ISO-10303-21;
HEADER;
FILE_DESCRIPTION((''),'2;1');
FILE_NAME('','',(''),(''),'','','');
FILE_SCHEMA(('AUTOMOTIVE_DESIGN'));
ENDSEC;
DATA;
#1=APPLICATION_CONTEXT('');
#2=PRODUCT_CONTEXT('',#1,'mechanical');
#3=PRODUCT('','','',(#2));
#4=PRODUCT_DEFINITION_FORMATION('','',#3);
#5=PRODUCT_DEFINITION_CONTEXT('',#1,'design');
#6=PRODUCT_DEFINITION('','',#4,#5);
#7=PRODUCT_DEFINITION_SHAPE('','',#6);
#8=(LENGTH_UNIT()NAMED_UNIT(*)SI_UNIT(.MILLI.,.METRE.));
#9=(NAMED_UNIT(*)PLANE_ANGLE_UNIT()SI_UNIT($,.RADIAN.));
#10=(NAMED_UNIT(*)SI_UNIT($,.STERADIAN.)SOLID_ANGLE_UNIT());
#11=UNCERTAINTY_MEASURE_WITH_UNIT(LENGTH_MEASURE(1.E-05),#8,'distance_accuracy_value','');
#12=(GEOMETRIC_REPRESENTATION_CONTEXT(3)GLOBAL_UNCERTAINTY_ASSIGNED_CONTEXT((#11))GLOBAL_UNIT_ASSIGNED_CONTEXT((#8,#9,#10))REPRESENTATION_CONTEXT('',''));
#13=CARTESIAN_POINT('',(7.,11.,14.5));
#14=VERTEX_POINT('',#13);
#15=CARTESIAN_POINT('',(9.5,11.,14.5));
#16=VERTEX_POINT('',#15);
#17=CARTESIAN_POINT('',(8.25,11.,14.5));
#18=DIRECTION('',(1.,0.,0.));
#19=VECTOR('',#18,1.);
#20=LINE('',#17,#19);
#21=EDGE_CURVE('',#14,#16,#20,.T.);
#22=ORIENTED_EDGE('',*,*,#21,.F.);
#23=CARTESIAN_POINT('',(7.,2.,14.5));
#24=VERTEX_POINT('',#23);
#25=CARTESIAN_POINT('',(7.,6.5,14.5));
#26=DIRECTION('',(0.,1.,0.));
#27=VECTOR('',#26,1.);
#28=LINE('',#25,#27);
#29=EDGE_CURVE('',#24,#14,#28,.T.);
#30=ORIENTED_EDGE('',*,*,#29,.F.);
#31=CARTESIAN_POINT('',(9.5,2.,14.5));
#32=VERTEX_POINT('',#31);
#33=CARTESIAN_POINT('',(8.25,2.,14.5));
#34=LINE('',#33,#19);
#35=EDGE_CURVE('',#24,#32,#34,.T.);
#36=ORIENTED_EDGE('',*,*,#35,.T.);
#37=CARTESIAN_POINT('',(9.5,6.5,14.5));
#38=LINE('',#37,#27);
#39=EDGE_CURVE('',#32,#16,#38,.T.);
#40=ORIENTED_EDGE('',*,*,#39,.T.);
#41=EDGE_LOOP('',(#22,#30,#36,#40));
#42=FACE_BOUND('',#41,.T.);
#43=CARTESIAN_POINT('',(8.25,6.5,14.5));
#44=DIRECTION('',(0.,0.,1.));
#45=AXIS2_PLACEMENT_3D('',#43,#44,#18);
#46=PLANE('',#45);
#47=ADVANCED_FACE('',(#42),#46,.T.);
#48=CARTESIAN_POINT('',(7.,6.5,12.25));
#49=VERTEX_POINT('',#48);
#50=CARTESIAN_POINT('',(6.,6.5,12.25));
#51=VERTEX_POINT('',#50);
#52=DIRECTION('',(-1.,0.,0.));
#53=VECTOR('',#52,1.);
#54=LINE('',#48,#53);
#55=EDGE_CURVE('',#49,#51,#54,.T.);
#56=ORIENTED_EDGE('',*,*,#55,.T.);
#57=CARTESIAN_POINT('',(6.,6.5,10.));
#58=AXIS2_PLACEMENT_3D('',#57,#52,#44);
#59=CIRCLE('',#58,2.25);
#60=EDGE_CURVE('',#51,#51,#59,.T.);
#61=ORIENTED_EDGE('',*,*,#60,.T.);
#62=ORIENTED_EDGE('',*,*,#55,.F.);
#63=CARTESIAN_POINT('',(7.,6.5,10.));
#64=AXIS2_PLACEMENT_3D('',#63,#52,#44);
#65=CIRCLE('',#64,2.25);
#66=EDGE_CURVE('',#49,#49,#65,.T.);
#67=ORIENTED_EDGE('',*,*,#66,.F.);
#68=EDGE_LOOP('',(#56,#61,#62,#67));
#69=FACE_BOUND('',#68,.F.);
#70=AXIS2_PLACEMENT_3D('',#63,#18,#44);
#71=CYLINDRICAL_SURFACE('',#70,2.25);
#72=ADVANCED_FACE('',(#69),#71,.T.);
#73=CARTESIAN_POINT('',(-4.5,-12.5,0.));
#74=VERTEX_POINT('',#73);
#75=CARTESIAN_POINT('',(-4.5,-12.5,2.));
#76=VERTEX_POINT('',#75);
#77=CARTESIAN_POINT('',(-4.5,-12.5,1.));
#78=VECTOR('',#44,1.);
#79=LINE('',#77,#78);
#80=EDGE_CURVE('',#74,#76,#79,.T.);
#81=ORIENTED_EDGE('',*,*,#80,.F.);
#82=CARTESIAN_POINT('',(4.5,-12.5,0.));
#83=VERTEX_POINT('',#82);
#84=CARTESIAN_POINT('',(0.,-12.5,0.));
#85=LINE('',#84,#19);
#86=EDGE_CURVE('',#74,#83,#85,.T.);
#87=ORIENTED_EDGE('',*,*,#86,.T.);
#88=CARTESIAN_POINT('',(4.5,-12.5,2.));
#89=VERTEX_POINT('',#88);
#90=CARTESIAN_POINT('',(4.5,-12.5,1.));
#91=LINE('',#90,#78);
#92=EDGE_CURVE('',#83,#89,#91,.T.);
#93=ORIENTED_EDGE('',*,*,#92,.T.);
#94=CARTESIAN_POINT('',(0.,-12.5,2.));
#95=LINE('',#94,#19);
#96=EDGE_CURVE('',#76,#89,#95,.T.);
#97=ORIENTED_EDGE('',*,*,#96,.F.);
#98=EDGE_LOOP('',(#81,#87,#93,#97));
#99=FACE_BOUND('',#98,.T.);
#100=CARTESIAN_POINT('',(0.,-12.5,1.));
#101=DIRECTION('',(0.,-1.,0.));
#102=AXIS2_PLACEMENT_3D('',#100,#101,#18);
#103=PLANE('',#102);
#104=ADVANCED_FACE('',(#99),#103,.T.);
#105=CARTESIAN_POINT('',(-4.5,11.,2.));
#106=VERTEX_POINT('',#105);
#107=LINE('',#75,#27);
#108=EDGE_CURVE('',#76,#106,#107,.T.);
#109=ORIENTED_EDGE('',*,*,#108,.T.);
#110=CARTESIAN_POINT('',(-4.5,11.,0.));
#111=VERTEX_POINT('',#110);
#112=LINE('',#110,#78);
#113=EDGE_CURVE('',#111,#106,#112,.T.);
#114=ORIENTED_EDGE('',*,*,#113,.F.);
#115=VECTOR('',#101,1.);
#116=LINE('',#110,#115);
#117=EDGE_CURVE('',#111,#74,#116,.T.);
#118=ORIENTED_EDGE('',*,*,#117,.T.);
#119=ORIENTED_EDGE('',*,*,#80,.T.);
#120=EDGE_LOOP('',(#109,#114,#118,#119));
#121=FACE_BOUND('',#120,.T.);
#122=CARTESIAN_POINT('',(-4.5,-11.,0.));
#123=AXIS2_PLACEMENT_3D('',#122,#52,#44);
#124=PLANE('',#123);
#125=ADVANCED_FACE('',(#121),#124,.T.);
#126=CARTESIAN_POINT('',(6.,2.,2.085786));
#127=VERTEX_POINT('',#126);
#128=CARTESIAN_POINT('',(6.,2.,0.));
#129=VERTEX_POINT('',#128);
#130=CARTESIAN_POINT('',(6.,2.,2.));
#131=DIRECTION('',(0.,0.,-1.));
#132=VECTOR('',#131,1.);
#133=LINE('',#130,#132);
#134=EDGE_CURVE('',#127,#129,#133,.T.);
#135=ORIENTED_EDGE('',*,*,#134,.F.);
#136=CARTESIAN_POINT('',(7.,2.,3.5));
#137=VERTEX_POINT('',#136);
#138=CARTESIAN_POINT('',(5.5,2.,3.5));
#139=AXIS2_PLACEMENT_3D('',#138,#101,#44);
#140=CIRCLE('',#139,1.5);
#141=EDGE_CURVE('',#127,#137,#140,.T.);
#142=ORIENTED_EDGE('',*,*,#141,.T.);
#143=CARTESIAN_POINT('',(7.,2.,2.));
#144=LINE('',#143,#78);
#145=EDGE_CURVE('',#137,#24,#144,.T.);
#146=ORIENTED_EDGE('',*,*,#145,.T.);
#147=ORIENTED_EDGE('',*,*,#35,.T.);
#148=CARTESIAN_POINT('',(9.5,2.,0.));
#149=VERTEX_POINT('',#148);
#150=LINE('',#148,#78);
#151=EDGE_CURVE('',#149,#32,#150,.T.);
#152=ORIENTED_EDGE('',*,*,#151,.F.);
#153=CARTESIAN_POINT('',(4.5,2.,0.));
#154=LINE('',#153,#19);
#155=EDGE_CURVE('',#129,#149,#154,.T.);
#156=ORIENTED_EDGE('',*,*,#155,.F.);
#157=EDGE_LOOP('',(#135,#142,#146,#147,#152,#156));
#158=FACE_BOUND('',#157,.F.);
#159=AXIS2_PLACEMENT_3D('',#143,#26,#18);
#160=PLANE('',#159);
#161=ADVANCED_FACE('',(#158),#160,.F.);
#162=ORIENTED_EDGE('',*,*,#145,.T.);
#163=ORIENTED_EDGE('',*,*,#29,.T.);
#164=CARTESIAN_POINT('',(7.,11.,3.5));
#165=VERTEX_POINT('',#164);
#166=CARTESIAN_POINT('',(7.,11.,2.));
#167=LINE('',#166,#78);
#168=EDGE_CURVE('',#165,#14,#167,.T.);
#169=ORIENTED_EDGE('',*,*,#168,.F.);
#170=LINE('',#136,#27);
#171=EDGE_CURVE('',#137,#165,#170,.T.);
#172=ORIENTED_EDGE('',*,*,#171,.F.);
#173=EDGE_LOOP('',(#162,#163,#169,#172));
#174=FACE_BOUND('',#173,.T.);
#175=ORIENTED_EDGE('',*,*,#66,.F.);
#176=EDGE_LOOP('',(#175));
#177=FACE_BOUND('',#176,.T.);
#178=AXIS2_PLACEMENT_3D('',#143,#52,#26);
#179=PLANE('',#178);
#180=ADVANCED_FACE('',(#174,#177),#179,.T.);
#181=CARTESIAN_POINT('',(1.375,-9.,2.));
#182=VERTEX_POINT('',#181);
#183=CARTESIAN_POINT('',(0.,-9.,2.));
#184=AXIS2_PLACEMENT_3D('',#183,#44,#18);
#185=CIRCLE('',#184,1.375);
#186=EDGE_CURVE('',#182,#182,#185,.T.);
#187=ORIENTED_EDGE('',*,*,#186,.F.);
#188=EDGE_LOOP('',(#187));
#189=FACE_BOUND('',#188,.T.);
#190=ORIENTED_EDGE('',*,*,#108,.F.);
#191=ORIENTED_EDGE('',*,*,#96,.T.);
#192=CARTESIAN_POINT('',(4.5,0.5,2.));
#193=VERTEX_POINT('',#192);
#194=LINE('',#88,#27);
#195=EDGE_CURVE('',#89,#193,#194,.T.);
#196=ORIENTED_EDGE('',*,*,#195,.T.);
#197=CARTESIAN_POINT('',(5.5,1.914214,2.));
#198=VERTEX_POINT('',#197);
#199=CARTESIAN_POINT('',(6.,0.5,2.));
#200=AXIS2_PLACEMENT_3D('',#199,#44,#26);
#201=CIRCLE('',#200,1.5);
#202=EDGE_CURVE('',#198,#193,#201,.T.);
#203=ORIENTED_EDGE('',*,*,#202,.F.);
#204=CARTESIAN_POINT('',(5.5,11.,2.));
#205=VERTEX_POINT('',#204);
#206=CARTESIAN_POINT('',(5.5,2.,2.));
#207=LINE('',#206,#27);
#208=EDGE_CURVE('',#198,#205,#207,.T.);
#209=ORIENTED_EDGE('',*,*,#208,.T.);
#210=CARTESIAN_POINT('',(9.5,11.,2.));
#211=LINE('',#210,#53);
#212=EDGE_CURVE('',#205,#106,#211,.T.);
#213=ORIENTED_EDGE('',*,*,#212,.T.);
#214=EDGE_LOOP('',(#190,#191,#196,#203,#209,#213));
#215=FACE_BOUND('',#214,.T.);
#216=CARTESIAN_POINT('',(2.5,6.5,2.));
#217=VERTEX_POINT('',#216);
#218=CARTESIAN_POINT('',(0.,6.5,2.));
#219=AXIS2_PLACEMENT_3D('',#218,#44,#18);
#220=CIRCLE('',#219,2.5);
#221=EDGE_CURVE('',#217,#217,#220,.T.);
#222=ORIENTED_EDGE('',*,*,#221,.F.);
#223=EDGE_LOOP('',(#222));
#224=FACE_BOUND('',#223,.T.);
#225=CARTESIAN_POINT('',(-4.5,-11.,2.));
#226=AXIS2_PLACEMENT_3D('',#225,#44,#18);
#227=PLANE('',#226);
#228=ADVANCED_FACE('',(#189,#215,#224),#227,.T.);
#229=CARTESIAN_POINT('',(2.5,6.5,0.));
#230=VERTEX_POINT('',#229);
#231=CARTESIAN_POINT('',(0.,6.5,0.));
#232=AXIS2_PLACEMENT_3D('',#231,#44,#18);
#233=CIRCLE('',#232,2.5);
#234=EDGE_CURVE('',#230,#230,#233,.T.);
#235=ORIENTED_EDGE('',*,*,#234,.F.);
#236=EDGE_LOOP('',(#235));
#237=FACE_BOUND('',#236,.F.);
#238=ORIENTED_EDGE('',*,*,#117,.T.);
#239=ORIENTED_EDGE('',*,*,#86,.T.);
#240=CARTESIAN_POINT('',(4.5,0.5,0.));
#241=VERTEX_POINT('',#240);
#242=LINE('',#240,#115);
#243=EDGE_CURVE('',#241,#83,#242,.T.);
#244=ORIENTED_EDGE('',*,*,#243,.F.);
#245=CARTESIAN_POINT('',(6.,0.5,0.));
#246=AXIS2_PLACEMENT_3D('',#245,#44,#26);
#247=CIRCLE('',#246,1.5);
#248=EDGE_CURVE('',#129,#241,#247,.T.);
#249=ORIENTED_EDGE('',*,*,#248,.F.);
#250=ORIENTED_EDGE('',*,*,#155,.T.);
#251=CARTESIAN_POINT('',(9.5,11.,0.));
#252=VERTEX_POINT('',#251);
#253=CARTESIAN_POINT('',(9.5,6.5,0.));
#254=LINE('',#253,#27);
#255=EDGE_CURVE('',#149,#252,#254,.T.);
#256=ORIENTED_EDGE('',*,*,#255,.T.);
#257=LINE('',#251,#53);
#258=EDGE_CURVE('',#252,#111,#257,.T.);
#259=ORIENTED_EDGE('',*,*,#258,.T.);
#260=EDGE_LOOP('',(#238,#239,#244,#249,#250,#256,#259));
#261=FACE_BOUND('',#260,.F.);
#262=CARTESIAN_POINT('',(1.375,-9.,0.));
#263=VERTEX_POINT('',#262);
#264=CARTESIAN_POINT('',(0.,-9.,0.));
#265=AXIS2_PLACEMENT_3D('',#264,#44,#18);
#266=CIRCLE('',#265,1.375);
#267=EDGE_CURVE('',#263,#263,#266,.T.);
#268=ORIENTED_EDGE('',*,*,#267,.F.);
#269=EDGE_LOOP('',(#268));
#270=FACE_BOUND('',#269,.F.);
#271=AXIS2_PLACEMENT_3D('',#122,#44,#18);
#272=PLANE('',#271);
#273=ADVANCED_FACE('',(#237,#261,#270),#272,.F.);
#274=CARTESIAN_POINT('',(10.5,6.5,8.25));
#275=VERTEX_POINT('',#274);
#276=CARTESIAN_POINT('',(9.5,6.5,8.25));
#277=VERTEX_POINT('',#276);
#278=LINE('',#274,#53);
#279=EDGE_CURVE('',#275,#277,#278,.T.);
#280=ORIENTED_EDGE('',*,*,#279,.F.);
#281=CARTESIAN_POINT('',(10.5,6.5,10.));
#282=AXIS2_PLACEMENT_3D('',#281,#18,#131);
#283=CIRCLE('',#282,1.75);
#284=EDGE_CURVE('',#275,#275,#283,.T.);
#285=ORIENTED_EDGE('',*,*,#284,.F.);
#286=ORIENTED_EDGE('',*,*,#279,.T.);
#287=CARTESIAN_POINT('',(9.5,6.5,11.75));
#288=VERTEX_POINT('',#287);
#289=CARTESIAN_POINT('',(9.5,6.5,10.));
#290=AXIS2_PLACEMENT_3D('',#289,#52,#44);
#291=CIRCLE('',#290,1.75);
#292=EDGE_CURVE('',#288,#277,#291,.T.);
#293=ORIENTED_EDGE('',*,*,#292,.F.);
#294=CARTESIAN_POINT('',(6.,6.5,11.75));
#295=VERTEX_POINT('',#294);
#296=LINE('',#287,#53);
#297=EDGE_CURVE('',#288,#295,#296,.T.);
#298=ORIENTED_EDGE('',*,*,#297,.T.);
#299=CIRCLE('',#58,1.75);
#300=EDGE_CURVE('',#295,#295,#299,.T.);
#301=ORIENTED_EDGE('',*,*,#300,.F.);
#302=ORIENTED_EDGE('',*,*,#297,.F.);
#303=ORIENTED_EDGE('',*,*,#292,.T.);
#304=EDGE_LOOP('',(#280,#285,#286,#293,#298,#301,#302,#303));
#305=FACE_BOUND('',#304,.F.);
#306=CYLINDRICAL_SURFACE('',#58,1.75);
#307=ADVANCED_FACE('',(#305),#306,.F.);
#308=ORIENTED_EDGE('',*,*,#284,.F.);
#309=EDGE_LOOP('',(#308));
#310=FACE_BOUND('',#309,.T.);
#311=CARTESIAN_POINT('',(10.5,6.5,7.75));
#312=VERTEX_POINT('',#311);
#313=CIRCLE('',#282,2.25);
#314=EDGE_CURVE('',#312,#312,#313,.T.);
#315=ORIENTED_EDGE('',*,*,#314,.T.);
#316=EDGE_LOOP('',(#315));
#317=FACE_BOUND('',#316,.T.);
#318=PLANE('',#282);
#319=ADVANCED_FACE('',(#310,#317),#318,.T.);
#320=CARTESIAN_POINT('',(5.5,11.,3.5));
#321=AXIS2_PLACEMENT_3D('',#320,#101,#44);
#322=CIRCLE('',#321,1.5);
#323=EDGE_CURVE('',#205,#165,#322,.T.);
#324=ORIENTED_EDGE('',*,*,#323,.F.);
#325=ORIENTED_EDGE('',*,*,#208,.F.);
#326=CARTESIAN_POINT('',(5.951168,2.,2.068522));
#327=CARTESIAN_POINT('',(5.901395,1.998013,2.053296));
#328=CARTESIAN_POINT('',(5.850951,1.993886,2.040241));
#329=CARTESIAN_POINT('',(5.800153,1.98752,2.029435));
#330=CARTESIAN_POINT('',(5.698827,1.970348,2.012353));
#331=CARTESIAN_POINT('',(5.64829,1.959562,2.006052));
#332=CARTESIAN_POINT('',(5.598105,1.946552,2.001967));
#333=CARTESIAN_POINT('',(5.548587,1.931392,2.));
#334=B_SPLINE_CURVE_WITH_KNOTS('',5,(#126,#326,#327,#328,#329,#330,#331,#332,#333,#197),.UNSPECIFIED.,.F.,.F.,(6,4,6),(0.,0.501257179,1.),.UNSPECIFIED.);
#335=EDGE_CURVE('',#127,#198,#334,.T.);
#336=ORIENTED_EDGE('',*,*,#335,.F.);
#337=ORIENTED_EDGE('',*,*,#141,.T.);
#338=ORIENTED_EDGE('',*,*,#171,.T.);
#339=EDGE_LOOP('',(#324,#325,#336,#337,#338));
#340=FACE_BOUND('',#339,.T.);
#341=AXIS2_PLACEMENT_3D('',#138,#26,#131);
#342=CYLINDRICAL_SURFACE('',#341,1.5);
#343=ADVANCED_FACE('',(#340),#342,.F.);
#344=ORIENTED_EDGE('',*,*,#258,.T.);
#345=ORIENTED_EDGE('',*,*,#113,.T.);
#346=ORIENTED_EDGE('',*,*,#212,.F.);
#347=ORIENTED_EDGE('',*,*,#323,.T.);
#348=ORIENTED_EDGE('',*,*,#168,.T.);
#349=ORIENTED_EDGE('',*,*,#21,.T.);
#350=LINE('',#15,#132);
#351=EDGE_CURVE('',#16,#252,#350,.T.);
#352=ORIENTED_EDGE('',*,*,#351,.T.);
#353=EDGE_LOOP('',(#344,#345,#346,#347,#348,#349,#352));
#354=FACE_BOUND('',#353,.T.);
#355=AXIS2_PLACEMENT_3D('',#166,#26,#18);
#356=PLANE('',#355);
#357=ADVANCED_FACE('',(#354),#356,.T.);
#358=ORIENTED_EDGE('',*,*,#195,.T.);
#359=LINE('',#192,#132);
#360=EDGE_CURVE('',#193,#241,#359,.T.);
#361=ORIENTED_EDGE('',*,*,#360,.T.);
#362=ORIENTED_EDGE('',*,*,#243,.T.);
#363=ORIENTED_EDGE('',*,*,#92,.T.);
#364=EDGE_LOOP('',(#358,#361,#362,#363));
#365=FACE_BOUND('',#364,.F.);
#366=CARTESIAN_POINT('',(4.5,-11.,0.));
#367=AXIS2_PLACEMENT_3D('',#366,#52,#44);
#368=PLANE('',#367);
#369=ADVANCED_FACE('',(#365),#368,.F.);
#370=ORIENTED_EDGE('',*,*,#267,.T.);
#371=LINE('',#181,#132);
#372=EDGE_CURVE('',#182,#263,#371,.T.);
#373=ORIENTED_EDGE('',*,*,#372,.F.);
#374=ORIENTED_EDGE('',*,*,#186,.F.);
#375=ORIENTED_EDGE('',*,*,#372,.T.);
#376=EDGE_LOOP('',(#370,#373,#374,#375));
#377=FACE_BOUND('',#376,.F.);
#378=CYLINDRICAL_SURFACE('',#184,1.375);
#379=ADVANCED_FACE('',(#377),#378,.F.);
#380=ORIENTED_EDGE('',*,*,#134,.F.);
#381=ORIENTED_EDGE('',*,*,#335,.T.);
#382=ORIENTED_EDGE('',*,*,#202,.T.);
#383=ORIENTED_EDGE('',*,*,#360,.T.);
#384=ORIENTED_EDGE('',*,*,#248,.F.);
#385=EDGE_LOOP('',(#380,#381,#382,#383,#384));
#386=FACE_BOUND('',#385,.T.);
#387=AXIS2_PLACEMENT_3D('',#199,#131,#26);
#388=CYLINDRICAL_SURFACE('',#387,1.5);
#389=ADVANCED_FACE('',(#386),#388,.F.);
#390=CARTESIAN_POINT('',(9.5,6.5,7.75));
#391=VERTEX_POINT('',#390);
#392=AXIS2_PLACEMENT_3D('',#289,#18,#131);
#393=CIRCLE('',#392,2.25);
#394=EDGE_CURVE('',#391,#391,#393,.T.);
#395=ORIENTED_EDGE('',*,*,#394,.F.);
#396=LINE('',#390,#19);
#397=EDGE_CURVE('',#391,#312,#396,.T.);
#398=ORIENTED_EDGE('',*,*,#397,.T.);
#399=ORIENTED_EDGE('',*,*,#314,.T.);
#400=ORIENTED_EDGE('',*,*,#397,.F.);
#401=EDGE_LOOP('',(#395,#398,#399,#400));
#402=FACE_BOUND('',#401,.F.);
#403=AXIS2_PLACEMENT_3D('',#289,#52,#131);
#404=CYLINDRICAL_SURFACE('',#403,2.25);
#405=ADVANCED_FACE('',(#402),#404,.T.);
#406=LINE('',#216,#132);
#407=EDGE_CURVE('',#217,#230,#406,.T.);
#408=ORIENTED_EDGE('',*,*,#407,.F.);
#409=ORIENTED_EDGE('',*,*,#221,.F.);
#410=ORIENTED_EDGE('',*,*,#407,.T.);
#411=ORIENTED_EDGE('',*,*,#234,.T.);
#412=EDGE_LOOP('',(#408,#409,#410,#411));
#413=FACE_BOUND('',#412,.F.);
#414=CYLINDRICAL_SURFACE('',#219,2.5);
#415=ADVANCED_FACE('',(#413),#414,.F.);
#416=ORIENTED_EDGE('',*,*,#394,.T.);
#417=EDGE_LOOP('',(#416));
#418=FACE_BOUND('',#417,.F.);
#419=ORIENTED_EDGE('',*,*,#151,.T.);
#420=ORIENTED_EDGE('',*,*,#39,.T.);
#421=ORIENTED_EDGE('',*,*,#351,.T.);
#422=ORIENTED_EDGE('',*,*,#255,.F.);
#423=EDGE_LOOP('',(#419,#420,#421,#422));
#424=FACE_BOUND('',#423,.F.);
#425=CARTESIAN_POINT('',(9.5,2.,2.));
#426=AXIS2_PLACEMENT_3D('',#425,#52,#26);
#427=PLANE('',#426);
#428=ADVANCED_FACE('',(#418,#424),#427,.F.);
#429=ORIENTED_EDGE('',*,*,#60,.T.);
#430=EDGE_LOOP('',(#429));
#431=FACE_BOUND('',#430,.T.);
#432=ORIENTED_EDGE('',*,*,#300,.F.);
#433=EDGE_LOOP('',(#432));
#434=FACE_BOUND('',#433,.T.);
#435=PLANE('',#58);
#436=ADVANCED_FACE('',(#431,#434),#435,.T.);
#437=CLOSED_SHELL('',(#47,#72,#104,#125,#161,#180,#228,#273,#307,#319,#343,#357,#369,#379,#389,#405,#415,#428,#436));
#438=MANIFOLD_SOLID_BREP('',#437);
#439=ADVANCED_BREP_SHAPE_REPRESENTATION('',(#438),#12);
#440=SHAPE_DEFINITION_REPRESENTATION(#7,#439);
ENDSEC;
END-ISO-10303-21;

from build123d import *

# Parameters (mm, degrees)
SKETCH1_W           = 9
SKETCH1_H           = 22
BOSS_EXTRUDE1_DEPTH = 2
SKETCH3_R           = 2.5
SKETCH3_R_2         = 1.375
CUT_EXTRUDE1_DEPTH  = 2
SKETCH4_W           = 2
SKETCH4_H           = 9
BOSS_EXTRUDE2_DEPTH = 5
SKETCH5_W           = 2.5
SKETCH5_H           = 9
BOSS_EXTRUDE3_DEPTH = 12.5
SKETCH6_R           = 1.75
CUT_EXTRUDE2_DEPTH  = 2.5
SKETCH14_R          = 2.25
BOSS_EXTRUDE6_DEPTH = 1
SKETCH15_R          = 1.75
CUT_EXTRUDE4_DEPTH  = 1
SKETCH16_R          = 2.25
BOSS_EXTRUDE7_DEPTH = 1
SKETCH17_R          = 1.75
CUT_EXTRUDE5_DEPTH  = 1
FILLET1_R           = 1.5
FILLET2_R           = 1.5
SKETCH18_W          = 9
SKETCH18_H          = 2
BOSS_EXTRUDE8_DEPTH = 1.5


with BuildPart() as part:
    # Sketch1 → Boss-Extrude1 (new body)
    with BuildSketch(Plane.XY):
        Rectangle(SKETCH1_W, SKETCH1_H)
    extrude(amount=BOSS_EXTRUDE1_DEPTH)

    # Sketch3 → Cut-Extrude1 (cut)
    with BuildSketch(Plane.XY.offset(2)):
        with Locations((0, 6.5)):
            Circle(SKETCH3_R)
        with Locations((0, -9)):
            Circle(SKETCH3_R_2)
    extrude(amount=-CUT_EXTRUDE1_DEPTH, mode=Mode.SUBTRACT)

    # Sketch4 → Boss-Extrude2 (add)
    with BuildSketch(Plane(origin=(4.5, 0, 0), x_dir=(0, 0, -1), z_dir=(1, 0, 0))):
        with Locations((-1, 6.5)):
            Rectangle(SKETCH4_W, SKETCH4_H)
    extrude(amount=BOSS_EXTRUDE2_DEPTH)

    # Sketch5 → Boss-Extrude3 (add)
    with BuildSketch(Plane.XY.offset(2)):
        with Locations((8.25, 6.5)):
            Rectangle(SKETCH5_W, SKETCH5_H)
    extrude(amount=BOSS_EXTRUDE3_DEPTH)

    # Sketch6 → Cut-Extrude2 (cut)
    with BuildSketch(Plane.ZY.offset(-7)):
        with Locations((10, 6.5)):
            Circle(SKETCH6_R)
    extrude(amount=-CUT_EXTRUDE2_DEPTH, mode=Mode.SUBTRACT)

    # Sketch14 → Boss-Extrude6 (add)
    with BuildSketch(Plane(origin=(9.5, 0, 0), x_dir=(0, 0, -1), z_dir=(1, 0, 0))):
        with Locations((-10, 6.5)):
            Circle(SKETCH14_R)
    extrude(amount=BOSS_EXTRUDE6_DEPTH)

    # Sketch15 → Cut-Extrude4 (cut)
    with BuildSketch(Plane(origin=(10.5, 0, 0), x_dir=(0, 0, -1), z_dir=(1, 0, 0))):
        with Locations((-10, 6.5)):
            Circle(SKETCH15_R)
    extrude(amount=-CUT_EXTRUDE4_DEPTH, mode=Mode.SUBTRACT)

    # Sketch16 → Boss-Extrude7 (add)
    with BuildSketch(Plane.ZY.offset(-7)):
        with Locations((10, 6.5)):
            Circle(SKETCH16_R)
    extrude(amount=BOSS_EXTRUDE7_DEPTH)

    # Sketch17 → Cut-Extrude5 (cut)
    with BuildSketch(Plane.ZY.offset(-6)):
        with Locations((10, 6.5)):
            Circle(SKETCH17_R)
    extrude(amount=-CUT_EXTRUDE5_DEPTH, mode=Mode.SUBTRACT)

    # Fillet1
    fillet1_edges = [part.edges().sort_by_distance(p)[0] for p in [
        (7, 6.5, 2),
    ]]
    fillet(fillet1_edges, radius=FILLET1_R)

    # Fillet2
    fillet2_edges = [part.edges().sort_by_distance(p)[0] for p in [
        (4.5, 2, 1),
    ]]
    fillet(fillet2_edges, radius=FILLET2_R)

    # Sketch18 → Boss-Extrude8 (add)
    with BuildSketch(Plane.XZ.offset(11)):
        with Locations((0, 1)):
            Rectangle(SKETCH18_W, SKETCH18_H)
    extrude(amount=BOSS_EXTRUDE8_DEPTH)


solid = part.part
